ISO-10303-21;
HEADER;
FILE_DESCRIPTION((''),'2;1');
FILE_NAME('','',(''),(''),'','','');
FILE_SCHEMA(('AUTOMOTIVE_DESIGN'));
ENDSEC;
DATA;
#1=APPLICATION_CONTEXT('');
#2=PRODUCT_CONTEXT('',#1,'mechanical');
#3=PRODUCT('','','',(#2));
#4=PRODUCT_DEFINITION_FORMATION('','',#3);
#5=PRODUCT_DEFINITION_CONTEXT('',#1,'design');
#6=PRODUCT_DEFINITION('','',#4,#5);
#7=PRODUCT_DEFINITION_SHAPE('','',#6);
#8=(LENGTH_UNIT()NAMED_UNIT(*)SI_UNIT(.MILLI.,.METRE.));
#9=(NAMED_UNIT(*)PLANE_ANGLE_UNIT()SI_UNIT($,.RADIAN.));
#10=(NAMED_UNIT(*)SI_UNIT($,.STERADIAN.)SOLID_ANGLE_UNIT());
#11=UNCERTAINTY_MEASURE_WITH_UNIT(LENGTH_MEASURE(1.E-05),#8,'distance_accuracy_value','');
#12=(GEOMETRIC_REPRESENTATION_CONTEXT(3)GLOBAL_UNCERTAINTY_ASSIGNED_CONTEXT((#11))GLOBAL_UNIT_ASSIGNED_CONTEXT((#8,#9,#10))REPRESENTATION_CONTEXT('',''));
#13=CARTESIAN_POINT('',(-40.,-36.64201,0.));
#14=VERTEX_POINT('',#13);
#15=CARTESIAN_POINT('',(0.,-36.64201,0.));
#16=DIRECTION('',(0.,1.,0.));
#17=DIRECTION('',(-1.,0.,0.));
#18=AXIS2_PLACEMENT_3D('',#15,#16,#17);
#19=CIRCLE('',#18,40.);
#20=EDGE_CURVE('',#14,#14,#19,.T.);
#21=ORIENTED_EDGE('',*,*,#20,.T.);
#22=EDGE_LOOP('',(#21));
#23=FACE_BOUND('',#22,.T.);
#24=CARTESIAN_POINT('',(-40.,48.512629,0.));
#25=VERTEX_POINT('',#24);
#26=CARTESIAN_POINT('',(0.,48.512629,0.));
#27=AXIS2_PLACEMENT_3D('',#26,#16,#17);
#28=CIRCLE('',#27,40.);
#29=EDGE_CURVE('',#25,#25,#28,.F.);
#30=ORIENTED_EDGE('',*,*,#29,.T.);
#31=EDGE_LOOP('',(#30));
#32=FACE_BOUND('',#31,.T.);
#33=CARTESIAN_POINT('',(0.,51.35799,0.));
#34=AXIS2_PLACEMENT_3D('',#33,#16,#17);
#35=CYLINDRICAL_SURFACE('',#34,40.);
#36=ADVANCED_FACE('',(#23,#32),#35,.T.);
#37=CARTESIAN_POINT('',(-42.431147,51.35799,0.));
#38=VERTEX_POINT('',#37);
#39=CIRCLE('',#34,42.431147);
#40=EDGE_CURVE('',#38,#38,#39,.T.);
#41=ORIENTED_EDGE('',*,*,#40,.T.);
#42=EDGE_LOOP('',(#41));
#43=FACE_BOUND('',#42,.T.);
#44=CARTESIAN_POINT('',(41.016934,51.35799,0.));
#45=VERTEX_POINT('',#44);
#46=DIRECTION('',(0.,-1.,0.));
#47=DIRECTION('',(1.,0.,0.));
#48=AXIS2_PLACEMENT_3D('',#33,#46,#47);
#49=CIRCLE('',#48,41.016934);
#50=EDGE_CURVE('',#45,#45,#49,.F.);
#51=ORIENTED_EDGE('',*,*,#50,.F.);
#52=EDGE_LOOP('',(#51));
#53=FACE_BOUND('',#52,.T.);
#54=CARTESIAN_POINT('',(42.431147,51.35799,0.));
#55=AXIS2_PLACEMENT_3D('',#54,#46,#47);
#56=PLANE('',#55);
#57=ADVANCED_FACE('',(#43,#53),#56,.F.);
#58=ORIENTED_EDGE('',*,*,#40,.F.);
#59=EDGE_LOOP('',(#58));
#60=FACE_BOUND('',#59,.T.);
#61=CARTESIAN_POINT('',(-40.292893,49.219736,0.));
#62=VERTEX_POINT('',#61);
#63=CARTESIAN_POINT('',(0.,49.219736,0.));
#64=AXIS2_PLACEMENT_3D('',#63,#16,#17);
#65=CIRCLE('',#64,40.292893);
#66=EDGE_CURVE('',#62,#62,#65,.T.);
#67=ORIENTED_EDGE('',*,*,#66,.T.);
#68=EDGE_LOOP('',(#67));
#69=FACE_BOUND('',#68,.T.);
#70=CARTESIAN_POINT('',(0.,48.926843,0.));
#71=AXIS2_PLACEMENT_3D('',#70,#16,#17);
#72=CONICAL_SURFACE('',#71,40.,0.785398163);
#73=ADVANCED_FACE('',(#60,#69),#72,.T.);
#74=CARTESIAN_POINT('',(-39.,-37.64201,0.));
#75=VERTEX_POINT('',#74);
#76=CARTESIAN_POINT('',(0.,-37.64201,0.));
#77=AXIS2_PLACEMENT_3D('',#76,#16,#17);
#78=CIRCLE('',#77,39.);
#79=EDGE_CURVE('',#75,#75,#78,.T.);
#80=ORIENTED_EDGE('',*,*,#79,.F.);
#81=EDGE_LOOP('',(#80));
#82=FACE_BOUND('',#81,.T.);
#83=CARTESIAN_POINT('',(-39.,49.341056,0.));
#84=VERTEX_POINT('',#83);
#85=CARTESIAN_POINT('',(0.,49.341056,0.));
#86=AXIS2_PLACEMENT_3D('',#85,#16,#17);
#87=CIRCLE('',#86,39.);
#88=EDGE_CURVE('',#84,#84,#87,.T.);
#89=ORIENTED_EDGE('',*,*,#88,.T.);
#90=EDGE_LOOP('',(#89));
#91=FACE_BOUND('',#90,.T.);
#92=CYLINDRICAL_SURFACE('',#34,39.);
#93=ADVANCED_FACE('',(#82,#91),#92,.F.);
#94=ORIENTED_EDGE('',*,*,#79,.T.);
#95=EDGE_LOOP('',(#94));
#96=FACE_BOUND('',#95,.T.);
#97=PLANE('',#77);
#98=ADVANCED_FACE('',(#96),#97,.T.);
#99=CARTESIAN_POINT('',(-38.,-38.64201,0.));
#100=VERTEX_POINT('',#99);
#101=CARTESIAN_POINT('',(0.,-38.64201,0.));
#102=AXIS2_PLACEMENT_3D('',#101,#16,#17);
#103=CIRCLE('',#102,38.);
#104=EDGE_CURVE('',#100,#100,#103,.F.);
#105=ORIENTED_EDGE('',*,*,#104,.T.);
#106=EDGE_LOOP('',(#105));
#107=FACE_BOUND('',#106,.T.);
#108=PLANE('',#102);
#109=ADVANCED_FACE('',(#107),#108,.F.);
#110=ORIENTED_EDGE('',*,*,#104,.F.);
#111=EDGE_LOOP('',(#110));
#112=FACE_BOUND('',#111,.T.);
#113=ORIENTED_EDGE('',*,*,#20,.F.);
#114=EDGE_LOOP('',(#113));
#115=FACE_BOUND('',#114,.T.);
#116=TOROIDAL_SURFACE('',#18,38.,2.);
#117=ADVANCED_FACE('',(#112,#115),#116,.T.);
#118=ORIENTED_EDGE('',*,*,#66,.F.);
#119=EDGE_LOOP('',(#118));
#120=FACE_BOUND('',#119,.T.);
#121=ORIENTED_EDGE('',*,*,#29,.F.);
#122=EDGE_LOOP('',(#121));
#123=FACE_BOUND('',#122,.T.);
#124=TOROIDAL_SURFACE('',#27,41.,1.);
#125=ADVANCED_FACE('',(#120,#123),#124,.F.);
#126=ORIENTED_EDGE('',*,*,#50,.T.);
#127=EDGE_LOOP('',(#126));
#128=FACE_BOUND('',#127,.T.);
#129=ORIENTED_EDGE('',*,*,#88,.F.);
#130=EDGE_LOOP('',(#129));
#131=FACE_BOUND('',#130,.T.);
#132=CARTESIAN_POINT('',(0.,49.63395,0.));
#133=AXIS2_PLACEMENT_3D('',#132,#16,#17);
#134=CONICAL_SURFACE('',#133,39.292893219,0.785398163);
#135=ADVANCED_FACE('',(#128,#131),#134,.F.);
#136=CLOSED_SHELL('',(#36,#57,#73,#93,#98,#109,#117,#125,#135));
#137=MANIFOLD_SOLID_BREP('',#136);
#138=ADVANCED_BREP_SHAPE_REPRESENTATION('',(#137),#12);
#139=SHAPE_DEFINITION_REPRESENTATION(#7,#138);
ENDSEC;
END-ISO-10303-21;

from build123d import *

# Parameters (mm, degrees)
SHELL2_T  = -1
FILLET1_R = 2
FILLET2_R = 1


with BuildPart() as part:
    # Sketch1 → Revolve1 (revolve)
    with BuildSketch(Plane.XY, mode=Mode.PRIVATE) as revolve1_sk:
        Polygon((0, -38.642009768), (40, -38.642009768), (40, 48.926842765), (42.431147467, 51.357990232), (0, 51.357990232), align=None)
    revolve(revolve1_sk.sketch.rotate(Axis((0, 51.357990232, 0), (0, -1, 0)), 180), axis=Axis((0, 51.357990232, 0), (0, -1, 0)))

    # Shell2
    shell2_openings = [part.faces().sort_by_distance(p)[0] for p in [
        (0, 51.357990232, 0),
    ]]
    offset(amount=SHELL2_T, openings=shell2_openings, kind=Kind.INTERSECTION)

    # Fillet1
    fillet1_edges = [part.edges().sort_by_distance(p)[0] for p in [
        (40, -38.642009768, 0),
    ]]
    fillet(fillet1_edges, radius=FILLET1_R)

    # Fillet2
    fillet2_edges = [part.edges().sort_by_distance(p)[0] for p in [
        (40, 48.926842765, 0),
    ]]
    fillet(fillet2_edges, radius=FILLET2_R)


solid = part.part
